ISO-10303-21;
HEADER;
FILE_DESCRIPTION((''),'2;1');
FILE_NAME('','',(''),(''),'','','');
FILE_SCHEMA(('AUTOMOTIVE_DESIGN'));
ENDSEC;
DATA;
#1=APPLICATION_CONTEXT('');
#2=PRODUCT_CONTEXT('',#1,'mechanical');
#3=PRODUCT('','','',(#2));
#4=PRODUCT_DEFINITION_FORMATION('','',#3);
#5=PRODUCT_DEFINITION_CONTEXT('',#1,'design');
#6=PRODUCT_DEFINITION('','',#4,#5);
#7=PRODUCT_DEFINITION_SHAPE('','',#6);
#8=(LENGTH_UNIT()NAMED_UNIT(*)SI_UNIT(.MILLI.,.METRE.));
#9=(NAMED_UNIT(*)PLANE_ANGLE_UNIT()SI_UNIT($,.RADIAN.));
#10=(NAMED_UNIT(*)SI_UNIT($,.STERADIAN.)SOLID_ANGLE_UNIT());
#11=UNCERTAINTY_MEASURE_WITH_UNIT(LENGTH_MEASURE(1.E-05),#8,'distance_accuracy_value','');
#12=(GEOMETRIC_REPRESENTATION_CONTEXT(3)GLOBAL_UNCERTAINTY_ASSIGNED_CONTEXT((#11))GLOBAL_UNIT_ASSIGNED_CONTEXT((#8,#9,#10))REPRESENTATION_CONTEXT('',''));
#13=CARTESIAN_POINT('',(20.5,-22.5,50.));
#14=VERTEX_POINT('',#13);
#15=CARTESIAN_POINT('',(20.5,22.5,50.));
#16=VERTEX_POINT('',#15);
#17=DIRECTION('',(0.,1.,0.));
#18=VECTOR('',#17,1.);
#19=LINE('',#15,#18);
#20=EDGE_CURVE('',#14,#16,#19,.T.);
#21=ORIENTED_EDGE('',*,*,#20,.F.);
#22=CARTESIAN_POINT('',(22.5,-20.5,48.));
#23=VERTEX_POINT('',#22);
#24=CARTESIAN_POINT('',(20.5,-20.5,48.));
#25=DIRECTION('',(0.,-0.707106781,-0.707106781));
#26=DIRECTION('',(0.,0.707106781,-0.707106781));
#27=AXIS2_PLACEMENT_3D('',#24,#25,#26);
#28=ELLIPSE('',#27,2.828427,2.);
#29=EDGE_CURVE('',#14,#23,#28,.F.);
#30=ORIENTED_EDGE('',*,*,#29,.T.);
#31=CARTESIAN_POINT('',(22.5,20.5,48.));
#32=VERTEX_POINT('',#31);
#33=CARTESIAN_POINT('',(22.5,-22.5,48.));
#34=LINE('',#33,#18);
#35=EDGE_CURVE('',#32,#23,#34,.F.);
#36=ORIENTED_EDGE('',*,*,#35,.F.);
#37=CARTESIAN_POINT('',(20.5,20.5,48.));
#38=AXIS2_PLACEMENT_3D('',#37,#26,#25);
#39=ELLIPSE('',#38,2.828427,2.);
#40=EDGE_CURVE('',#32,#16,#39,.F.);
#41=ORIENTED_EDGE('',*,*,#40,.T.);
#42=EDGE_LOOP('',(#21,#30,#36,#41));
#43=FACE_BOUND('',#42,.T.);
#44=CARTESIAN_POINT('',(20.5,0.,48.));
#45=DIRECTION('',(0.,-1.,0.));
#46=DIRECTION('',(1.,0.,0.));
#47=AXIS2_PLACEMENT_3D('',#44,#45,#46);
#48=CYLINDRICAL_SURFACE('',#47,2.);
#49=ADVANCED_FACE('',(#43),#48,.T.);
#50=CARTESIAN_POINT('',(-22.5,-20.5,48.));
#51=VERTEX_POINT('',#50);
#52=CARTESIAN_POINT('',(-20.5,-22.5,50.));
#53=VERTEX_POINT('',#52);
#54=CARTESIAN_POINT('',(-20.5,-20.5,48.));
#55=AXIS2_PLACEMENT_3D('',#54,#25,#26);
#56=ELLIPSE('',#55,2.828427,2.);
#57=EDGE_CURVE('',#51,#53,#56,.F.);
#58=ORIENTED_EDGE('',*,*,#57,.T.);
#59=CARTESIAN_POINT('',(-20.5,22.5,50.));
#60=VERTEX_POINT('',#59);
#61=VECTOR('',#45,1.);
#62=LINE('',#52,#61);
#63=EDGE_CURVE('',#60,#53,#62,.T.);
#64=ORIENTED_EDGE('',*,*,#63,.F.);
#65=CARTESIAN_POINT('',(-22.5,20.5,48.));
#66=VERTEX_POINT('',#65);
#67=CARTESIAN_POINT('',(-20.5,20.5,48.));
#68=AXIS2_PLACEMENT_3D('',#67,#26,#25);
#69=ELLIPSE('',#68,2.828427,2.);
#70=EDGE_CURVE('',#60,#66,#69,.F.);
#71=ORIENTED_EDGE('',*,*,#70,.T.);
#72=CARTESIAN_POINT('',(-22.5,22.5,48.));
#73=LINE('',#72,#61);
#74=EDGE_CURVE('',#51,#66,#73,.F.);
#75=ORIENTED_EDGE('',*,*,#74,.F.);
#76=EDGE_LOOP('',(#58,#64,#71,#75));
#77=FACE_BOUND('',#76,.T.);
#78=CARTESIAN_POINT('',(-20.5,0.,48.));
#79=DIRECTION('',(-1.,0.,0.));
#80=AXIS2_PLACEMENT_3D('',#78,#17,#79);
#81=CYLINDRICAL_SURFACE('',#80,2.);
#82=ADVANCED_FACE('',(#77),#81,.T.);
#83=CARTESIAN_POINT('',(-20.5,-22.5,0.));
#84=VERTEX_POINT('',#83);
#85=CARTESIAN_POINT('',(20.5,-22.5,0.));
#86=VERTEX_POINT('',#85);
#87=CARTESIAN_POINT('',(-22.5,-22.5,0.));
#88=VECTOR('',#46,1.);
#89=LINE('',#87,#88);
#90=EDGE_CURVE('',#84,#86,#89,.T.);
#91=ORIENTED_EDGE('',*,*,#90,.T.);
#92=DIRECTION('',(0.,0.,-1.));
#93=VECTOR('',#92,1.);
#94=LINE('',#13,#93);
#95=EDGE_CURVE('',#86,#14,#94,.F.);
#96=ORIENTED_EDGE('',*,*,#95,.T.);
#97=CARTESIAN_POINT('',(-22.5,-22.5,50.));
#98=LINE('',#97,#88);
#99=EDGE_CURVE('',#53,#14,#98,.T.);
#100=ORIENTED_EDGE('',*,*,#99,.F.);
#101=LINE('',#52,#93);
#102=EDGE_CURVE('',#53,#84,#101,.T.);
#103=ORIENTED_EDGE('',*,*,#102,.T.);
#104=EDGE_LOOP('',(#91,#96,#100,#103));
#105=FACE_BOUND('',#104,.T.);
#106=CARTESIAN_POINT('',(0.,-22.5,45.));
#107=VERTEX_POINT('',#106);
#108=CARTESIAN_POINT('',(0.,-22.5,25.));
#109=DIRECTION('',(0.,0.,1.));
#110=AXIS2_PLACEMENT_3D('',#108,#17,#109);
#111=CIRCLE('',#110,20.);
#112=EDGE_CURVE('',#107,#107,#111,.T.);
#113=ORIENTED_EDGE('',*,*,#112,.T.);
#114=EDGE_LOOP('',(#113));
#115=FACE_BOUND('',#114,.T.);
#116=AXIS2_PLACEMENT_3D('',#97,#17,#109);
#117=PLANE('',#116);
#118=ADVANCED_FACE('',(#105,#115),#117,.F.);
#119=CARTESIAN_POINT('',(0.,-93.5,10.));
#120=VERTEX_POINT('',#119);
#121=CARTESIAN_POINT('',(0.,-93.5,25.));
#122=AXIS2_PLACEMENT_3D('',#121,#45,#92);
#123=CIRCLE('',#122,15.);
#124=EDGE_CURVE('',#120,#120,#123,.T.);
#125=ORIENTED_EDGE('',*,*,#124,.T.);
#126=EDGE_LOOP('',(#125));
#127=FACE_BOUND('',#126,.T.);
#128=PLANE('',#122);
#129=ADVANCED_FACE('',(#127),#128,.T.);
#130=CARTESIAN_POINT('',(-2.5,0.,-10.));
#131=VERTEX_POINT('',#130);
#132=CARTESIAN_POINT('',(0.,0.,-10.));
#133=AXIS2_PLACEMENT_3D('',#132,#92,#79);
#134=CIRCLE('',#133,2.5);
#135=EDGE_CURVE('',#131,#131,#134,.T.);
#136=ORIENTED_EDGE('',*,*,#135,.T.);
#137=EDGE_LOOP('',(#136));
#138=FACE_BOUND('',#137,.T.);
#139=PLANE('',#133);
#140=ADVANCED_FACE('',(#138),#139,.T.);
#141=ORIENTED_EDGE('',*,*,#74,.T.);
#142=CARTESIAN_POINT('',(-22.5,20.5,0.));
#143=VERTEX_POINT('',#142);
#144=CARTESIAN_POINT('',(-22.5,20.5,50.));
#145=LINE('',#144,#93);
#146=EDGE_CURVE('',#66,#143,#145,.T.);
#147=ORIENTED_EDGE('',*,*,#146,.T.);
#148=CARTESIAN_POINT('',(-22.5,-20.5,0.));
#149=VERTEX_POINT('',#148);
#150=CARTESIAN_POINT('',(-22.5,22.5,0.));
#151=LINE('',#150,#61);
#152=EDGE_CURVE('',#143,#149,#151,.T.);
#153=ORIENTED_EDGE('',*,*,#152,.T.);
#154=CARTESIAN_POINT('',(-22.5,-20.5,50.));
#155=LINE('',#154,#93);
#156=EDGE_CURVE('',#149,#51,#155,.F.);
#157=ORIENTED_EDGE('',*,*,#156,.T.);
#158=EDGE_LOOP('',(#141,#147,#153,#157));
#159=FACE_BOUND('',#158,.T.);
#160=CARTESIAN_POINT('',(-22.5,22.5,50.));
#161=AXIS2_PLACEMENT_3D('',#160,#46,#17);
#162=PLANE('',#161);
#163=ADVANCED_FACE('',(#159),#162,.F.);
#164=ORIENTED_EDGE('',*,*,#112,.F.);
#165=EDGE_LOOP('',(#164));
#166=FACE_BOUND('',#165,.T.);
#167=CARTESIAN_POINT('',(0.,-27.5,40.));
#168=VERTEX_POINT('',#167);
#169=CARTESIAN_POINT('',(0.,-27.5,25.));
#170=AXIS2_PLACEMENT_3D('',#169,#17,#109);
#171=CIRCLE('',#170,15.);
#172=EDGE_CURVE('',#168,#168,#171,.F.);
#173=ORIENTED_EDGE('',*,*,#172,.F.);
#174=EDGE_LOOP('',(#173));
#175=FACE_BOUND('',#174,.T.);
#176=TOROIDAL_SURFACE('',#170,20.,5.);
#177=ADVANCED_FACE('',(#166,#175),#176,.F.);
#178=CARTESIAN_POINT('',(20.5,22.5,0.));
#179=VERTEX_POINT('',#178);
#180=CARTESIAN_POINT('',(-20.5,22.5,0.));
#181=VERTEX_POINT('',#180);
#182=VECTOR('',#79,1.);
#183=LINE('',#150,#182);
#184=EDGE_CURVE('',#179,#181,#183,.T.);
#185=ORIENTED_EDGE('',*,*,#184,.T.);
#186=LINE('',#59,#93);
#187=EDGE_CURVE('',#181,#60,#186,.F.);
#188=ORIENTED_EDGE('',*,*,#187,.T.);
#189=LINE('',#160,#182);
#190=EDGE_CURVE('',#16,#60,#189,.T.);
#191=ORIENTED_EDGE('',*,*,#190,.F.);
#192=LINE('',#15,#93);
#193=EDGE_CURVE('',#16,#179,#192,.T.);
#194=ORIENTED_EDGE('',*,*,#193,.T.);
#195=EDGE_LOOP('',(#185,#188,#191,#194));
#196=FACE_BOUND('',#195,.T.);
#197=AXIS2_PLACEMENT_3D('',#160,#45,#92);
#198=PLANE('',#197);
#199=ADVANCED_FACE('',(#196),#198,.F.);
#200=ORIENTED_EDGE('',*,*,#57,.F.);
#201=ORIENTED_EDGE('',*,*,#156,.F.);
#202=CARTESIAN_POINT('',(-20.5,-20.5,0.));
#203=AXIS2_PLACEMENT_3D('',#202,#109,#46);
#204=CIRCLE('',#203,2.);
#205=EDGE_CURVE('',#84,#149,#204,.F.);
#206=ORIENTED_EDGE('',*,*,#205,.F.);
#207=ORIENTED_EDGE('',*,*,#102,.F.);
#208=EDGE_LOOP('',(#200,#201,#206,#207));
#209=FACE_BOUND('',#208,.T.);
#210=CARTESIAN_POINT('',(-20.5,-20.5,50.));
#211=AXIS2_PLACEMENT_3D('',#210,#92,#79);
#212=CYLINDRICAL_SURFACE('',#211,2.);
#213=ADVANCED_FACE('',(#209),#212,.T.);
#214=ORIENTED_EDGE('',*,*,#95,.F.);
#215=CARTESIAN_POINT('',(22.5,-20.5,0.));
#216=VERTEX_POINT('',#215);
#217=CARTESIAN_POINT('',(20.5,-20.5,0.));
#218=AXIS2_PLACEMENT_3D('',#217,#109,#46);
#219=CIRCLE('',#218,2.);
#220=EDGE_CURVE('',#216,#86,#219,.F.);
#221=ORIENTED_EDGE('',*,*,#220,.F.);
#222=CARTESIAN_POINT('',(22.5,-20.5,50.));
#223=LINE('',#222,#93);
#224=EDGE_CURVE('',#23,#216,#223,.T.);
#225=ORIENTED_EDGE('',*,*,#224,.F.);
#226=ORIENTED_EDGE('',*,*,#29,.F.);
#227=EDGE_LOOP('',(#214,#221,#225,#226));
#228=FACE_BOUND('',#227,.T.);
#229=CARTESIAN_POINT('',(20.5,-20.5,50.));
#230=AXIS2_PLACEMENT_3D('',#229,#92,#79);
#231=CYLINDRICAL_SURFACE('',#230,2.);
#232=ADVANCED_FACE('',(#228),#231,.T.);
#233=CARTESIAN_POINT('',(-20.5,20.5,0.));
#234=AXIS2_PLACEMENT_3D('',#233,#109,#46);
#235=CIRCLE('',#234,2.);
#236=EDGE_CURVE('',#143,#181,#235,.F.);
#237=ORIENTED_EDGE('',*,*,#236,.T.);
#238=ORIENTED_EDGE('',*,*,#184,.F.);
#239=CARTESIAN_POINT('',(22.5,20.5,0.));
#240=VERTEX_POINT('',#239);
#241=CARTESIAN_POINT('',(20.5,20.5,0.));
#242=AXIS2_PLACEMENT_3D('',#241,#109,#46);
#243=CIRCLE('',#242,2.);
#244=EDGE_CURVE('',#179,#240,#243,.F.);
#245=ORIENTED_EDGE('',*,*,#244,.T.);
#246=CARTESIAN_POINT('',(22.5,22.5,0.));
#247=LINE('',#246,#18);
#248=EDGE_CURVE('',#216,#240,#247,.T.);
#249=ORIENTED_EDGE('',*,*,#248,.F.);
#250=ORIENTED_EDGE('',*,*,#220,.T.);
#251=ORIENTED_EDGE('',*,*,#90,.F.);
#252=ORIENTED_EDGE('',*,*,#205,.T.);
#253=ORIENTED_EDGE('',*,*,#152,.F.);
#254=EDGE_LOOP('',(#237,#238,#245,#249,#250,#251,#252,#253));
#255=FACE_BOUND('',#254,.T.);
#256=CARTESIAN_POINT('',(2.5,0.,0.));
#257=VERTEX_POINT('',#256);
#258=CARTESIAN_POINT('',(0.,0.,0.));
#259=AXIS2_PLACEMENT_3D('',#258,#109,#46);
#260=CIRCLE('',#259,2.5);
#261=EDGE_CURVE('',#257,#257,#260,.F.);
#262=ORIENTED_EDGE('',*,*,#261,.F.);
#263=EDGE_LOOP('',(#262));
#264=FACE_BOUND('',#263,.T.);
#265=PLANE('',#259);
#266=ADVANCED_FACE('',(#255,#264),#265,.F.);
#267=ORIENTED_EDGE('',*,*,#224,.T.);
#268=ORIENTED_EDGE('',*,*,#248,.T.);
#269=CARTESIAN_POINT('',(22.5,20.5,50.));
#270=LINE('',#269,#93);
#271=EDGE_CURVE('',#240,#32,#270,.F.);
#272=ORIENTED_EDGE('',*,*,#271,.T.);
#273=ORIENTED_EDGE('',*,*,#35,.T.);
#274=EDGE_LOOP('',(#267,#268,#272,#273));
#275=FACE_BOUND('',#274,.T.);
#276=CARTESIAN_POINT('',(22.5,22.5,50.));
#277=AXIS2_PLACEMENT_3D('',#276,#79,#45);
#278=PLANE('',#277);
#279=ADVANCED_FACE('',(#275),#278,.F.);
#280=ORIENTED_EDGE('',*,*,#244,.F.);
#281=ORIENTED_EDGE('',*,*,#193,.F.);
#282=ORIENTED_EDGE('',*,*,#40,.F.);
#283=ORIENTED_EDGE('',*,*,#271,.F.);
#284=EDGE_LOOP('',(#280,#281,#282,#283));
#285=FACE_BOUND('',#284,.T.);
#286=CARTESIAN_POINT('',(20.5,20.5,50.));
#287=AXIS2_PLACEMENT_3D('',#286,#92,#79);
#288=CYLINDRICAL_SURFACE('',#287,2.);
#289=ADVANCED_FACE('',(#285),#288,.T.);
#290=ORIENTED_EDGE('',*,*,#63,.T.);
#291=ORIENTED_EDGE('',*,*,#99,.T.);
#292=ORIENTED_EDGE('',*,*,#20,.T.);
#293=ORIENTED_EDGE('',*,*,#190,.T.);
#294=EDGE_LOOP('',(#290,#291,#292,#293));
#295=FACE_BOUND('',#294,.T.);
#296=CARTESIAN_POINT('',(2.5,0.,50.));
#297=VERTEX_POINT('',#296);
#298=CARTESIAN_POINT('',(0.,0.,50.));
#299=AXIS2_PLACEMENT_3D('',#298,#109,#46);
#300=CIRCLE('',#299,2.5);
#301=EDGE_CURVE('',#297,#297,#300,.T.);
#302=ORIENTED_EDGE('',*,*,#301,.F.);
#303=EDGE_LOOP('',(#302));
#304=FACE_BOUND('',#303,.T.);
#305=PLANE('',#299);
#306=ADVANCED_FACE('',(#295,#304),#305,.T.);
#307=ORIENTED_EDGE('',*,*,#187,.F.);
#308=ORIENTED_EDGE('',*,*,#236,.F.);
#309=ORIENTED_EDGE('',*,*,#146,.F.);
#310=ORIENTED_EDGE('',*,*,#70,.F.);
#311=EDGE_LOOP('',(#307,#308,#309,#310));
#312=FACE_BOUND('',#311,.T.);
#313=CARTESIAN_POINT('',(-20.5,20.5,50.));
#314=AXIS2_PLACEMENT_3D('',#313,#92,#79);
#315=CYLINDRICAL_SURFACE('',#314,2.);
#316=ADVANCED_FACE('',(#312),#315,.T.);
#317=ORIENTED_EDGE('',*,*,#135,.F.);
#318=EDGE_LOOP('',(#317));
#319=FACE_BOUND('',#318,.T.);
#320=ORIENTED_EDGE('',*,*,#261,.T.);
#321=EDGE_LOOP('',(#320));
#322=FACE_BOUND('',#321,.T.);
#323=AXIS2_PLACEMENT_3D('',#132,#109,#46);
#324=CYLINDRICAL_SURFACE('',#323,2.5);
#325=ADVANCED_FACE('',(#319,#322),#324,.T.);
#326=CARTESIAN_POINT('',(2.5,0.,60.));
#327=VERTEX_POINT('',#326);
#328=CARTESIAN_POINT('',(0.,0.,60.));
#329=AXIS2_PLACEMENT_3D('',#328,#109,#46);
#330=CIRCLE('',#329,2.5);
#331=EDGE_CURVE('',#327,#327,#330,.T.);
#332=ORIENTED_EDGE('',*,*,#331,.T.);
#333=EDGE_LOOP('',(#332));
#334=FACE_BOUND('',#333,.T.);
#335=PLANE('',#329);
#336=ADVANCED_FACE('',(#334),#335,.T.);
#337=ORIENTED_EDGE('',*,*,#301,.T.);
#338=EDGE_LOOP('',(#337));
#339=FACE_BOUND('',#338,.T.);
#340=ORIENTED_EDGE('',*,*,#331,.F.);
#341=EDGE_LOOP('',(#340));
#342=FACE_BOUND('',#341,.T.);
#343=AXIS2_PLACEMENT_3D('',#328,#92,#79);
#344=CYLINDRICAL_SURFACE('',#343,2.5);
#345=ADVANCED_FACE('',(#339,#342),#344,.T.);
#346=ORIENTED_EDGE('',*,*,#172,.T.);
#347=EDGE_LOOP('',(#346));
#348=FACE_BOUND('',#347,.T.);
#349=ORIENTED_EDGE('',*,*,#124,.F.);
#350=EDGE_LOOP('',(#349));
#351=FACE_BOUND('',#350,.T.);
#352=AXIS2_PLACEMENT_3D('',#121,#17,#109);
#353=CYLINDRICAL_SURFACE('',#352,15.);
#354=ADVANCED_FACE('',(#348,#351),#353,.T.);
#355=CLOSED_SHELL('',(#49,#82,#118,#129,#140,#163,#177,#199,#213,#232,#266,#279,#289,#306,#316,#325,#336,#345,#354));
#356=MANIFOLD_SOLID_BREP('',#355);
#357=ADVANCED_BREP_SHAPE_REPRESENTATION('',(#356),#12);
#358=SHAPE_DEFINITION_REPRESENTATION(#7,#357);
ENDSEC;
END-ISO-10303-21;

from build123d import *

# Parameters (mm, degrees)
SKETCH1_W           = 45
SKETCH1_H           = 45
BOSS_EXTRUDE1_DEPTH = 50
SKETCH4_R           = 15
BOSS_EXTRUDE2_DEPTH = 71
FILLET1_R           = 2
FILLET2_R           = 5
SKETCH5_R           = 2.5
BOSS_EXTRUDE3_DEPTH = 10
BOSS_EXTRUDE4_START = 10
SKETCH6_R           = 2.5
BOSS_EXTRUDE4_DEPTH = 10


with BuildPart() as part:
    # Sketch1 → Boss-Extrude1 (new body)
    with BuildSketch(Plane.XY):
        Rectangle(SKETCH1_W, SKETCH1_H)
    extrude(amount=BOSS_EXTRUDE1_DEPTH)

    # Sketch4 → Boss-Extrude2 (add)
    with BuildSketch(Plane.XZ.offset(22.5)):
        with Locations(Location((0, 25, 0), (0, 0, 270))):
            Circle(SKETCH4_R)
    extrude(amount=BOSS_EXTRUDE2_DEPTH)

    # Fillet1
    fillet1_edges = [part.edges().sort_by_distance(p)[0] for p in [
        (-22.5, 0, 50),
        (22.5, 0, 50),
        (22.5, -22.5, 25),
        (-22.5, -22.5, 25),
        (-22.5, 22.5, 25),
        (22.5, 22.5, 25),
    ]]
    fillet(fillet1_edges, radius=FILLET1_R)

    # Fillet2
    fillet2_edges = [part.edges().sort_by_distance(p)[0] for p in [
        (0, -22.5, 40),
    ]]
    fillet(fillet2_edges, radius=FILLET2_R)

    # Sketch5 → Boss-Extrude3 (add)
    with BuildSketch(Plane.XY.offset(50)):
        Circle(SKETCH5_R)
    extrude(amount=BOSS_EXTRUDE3_DEPTH)

    # Sketch6 → Boss-Extrude4 (add)
    with BuildSketch(Plane(origin=(0, 0, 0), x_dir=(-1, 0, 0), z_dir=(0, 0, -1)).offset(BOSS_EXTRUDE4_START)):
        with Locations(Location((0, 0, 0), (0, 0, 180))):
            Circle(SKETCH6_R)
    extrude(amount=-BOSS_EXTRUDE4_DEPTH)


solid = part.part
